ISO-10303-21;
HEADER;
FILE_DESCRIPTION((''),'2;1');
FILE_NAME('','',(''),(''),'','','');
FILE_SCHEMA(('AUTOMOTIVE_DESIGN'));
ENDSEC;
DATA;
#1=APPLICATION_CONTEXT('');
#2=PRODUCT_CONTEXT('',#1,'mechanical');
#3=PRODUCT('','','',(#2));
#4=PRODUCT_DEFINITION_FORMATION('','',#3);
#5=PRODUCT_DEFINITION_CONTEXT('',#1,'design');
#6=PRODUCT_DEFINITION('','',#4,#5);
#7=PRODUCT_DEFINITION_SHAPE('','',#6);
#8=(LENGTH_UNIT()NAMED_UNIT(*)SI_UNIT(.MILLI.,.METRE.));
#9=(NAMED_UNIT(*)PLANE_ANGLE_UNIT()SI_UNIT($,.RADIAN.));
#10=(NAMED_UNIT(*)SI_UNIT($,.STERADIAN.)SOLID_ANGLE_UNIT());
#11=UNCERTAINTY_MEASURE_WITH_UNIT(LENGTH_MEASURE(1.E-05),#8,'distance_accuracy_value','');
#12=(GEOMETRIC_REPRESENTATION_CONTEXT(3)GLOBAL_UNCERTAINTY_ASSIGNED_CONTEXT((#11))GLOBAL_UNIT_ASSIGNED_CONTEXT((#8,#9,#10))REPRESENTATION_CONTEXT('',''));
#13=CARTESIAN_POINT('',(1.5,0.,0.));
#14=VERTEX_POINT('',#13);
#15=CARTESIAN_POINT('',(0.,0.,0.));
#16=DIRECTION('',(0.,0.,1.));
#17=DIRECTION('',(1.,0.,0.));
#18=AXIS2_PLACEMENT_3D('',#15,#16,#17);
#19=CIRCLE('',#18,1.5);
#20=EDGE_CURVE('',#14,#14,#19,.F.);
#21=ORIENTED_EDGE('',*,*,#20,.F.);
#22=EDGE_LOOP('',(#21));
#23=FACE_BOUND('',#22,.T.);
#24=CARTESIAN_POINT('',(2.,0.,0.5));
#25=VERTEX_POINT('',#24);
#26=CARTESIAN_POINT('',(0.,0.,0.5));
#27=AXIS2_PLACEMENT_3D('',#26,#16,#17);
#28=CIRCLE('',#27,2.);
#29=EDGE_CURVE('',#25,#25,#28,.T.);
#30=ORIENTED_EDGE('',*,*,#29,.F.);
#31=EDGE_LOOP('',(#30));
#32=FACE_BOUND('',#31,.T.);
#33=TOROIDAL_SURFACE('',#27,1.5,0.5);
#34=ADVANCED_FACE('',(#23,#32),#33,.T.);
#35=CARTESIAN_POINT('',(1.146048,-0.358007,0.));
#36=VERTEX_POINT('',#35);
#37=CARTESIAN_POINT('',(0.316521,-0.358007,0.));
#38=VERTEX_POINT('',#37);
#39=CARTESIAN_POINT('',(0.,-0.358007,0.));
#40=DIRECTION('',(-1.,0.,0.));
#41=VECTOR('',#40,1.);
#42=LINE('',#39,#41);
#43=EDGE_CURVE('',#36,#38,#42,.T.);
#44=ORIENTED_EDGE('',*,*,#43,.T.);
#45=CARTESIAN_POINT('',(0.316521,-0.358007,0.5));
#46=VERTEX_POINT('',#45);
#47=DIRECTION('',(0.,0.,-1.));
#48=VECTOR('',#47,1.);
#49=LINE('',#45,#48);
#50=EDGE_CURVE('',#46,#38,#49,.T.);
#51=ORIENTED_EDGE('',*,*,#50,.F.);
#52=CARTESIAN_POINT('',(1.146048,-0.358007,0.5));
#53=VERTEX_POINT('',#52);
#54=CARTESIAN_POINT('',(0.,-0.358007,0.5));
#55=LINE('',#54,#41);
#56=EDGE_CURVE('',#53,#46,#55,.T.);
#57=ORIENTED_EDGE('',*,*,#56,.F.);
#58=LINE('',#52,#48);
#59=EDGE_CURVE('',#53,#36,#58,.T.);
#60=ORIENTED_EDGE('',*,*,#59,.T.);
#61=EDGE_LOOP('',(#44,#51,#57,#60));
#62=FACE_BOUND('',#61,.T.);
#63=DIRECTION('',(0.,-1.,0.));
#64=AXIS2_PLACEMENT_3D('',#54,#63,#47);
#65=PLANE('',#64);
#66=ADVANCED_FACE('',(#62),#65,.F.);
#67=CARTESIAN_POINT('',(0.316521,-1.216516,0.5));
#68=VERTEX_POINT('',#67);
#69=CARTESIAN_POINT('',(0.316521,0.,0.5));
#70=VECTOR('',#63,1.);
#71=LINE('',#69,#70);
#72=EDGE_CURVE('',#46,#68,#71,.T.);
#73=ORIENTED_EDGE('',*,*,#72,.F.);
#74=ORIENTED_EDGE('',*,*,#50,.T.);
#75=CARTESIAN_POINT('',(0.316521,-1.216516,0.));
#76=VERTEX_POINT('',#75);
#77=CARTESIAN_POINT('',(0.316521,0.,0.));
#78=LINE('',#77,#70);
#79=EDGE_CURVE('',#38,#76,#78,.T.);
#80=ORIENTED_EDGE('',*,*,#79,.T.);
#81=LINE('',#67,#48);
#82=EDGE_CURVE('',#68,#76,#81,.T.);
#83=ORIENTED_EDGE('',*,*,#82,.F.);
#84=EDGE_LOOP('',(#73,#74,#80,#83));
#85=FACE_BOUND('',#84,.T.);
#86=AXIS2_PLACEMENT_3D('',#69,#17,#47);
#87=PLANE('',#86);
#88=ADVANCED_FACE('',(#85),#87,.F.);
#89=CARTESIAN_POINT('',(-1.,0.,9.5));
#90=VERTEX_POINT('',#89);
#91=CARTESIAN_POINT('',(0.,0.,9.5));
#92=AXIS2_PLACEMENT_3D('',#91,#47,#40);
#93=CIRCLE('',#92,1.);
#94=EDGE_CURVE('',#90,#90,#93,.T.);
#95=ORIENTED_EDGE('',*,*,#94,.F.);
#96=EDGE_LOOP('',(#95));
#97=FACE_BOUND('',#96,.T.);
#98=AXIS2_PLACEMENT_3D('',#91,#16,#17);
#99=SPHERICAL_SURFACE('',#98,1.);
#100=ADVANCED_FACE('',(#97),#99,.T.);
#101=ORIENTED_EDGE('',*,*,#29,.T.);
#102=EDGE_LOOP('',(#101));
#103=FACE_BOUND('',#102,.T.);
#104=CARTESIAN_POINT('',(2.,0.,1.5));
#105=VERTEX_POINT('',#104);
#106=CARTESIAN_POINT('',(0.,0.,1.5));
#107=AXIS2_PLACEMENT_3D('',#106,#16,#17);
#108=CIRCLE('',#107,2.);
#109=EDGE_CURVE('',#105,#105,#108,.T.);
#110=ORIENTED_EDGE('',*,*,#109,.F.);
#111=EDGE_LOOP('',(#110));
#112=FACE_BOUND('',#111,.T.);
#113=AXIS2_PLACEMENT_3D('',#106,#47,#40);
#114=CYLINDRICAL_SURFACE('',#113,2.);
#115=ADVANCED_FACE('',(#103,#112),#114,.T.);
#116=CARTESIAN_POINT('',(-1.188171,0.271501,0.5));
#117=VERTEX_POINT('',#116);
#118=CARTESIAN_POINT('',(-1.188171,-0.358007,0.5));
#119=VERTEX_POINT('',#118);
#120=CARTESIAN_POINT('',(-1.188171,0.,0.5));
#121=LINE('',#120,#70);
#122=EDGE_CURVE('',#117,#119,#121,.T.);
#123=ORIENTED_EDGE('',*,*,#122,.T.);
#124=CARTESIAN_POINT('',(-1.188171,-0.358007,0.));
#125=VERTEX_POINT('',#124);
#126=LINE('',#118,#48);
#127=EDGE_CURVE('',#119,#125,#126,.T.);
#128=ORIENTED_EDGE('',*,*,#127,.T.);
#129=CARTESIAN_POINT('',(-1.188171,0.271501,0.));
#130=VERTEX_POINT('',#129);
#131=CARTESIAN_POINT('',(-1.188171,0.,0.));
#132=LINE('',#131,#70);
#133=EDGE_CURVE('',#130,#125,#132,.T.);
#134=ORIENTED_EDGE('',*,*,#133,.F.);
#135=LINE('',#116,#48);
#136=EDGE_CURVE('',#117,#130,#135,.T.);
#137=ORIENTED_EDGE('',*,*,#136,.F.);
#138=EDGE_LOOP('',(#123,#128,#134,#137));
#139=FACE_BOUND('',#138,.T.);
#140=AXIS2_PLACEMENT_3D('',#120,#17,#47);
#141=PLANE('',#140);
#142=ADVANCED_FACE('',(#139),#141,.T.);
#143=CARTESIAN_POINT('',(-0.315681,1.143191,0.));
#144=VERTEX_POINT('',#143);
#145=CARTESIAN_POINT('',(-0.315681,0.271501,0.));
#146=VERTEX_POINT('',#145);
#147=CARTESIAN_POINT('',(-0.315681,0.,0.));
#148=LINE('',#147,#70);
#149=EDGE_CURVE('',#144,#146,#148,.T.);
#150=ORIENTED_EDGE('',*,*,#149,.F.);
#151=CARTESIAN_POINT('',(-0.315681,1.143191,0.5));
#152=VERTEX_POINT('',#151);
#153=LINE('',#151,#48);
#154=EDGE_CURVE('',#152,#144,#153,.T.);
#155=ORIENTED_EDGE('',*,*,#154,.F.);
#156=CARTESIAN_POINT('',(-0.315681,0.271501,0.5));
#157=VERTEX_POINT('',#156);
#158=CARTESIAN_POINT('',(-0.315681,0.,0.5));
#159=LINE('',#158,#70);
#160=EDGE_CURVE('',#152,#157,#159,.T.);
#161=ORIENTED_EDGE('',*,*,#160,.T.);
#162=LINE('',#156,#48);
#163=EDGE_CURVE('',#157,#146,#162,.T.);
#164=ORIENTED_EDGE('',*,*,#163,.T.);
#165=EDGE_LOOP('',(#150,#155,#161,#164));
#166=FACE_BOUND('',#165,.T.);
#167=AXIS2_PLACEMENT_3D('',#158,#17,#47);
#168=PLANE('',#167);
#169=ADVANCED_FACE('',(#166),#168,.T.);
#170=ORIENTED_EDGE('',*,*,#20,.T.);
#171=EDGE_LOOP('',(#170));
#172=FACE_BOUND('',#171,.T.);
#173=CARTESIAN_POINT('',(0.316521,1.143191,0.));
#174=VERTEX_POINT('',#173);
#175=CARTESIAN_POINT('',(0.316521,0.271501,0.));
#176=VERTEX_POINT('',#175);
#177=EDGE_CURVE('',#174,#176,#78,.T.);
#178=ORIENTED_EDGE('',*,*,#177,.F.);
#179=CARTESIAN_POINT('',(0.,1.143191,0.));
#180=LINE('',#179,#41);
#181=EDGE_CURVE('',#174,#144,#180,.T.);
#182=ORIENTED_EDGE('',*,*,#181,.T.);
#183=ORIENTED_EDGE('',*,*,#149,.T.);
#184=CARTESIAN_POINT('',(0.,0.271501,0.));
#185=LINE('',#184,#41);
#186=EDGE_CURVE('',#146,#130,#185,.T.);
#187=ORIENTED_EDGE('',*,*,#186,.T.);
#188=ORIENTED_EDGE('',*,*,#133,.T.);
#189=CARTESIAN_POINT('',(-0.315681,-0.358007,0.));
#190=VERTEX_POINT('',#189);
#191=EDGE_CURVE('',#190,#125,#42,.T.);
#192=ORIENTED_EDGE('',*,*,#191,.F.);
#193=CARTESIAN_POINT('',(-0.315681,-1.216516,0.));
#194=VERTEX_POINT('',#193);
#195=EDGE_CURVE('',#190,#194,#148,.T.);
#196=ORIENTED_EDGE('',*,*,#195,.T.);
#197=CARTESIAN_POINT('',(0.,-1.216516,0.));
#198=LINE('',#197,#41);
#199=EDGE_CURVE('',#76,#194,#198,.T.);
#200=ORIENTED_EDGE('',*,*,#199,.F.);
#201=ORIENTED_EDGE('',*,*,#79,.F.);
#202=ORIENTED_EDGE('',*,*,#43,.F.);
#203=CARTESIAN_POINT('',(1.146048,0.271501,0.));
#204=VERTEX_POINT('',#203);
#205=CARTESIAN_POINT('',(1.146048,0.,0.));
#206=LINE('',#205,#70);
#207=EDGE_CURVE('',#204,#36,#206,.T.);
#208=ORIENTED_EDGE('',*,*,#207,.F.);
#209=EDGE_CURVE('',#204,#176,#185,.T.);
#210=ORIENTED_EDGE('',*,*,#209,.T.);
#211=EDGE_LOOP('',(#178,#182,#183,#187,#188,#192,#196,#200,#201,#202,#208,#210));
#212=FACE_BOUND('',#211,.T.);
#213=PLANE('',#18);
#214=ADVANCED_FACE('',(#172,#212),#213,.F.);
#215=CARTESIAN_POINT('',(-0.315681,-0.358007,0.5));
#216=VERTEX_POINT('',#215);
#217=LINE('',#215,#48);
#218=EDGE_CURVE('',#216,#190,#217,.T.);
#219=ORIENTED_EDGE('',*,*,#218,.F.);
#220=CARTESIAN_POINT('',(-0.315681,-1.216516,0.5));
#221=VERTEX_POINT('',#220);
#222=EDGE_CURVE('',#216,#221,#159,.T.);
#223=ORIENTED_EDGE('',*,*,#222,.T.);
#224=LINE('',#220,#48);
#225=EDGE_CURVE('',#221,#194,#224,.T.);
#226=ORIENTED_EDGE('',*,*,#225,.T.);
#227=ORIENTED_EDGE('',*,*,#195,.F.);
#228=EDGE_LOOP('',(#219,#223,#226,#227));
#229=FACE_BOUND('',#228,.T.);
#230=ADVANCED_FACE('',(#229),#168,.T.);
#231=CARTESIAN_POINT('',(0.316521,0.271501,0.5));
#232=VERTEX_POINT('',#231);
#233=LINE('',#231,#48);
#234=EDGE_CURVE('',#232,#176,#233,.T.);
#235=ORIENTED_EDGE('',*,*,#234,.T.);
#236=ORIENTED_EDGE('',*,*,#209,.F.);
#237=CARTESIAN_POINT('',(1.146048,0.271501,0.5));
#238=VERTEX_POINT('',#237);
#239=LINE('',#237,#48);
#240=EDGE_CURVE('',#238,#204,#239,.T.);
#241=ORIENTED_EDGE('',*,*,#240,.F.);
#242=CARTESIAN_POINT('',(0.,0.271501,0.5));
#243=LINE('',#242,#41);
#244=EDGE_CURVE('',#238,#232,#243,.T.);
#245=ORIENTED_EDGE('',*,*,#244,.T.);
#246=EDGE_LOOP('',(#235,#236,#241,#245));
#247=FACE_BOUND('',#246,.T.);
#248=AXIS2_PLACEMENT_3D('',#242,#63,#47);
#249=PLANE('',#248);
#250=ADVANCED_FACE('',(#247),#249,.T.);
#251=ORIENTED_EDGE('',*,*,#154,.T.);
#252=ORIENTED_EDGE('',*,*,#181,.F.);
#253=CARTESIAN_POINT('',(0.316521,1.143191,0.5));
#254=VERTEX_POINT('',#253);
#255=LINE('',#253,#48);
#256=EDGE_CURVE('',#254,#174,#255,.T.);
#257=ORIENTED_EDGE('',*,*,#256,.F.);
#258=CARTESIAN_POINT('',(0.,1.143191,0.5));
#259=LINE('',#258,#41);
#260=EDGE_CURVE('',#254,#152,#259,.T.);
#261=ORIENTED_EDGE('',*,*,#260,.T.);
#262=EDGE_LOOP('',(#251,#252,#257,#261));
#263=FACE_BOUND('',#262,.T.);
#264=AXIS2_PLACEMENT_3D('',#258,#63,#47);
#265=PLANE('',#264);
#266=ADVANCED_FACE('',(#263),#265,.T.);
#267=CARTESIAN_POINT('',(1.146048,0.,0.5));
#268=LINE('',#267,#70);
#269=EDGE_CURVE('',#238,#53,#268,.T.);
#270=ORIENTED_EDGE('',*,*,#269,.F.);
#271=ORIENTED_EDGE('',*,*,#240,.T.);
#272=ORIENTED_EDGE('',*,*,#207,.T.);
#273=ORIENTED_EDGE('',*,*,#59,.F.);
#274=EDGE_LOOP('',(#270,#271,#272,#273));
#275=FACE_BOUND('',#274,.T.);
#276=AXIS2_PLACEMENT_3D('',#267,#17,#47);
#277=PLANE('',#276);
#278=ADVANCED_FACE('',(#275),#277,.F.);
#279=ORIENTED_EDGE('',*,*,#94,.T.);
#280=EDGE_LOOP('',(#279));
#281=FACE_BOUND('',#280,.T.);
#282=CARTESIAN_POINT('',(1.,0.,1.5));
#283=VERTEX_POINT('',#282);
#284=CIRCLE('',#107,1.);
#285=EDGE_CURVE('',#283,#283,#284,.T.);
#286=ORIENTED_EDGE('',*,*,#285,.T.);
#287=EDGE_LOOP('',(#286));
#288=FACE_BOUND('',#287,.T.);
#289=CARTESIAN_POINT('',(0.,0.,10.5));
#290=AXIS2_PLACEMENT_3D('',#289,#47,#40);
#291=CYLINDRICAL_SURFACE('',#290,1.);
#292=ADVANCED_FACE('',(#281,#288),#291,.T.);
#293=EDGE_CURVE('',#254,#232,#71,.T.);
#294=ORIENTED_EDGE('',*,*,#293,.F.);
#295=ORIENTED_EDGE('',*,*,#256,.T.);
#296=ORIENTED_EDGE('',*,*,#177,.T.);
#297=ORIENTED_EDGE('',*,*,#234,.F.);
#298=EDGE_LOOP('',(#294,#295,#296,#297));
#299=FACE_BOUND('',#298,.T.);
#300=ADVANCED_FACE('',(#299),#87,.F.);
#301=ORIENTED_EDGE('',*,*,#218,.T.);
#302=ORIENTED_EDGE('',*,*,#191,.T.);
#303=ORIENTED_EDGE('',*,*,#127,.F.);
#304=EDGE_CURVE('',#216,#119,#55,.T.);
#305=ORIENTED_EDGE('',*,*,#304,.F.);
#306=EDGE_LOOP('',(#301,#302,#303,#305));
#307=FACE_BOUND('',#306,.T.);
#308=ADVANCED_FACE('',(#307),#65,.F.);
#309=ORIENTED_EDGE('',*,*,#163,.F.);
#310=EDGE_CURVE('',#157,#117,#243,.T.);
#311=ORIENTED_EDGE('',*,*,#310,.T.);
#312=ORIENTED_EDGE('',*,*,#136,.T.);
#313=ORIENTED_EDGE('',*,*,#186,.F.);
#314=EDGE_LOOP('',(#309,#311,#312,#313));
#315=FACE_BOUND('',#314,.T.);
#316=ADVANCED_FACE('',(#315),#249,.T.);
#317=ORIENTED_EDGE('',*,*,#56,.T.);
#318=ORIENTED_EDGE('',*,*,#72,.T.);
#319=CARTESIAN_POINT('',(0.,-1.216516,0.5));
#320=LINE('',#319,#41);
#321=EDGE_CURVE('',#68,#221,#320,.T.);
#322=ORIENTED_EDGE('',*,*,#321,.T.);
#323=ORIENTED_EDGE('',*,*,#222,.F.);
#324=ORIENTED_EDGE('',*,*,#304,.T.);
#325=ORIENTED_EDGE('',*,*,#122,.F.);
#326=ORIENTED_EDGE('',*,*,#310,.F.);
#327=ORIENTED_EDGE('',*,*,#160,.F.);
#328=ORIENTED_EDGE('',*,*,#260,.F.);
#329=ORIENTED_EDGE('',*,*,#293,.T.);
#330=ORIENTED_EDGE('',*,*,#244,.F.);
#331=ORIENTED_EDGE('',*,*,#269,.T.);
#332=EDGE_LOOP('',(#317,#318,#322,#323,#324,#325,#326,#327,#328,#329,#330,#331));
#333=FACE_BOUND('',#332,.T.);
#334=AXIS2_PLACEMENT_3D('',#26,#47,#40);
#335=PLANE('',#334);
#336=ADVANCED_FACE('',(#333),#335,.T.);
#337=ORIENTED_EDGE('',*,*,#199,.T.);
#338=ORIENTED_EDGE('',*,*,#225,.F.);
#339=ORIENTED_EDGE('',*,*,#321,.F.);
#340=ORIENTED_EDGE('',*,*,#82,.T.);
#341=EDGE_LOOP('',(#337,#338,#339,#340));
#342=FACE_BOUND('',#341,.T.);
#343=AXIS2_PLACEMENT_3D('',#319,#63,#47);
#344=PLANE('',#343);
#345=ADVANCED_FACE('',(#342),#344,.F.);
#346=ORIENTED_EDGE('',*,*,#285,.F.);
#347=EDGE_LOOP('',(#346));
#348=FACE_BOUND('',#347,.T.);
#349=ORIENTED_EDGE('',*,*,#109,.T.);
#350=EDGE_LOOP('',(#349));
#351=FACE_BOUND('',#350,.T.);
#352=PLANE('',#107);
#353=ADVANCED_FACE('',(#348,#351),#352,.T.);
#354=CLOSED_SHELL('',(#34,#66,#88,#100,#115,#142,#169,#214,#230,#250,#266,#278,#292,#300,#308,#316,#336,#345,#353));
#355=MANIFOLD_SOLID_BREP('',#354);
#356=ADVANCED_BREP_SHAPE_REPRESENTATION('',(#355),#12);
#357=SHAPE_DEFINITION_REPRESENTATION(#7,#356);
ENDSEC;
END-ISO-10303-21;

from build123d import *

# Parameters (mm, degrees)
SKIZZE1_R                       = 2
AUFSATZ_LINEAR_AUSTRAGEN1_DEPTH = 1.5
SKIZZE2_R                       = 1
AUFSATZ_LINEAR_AUSTRAGEN2_DEPTH = 9
VERRUNDUNG1_R                   = 1
VERRUNDUNG2_R                   = 0.5
SKIZZE3_W                       = 0.829527345
SKIZZE3_H                       = 0.629507901
SKIZZE3_W_2                     = 0.632202029
SKIZZE3_H_2                     = 0.871689933
SKIZZE3_W_3                     = 0.872489972
SKIZZE3_H_3                     = 0.858509012
SCHNITT_LINEAR_AUSTRAGEN1_DEPTH = 0.5


with BuildPart() as part:
    # Skizze1 → Aufsatz-Linear austragen1 (new body)
    with BuildSketch(Plane.XY):
        Circle(SKIZZE1_R)
    extrude(amount=AUFSATZ_LINEAR_AUSTRAGEN1_DEPTH)

    # Skizze2 → Aufsatz-Linear austragen2 (add)
    with BuildSketch(Plane.XY.offset(1.5)):
        Circle(SKIZZE2_R)
    extrude(amount=AUFSATZ_LINEAR_AUSTRAGEN2_DEPTH)

    # Verrundung1
    verrundung1_edges = [part.edges().sort_by_distance(p)[0] for p in [
        (-1, 0, 10.5),
    ]]
    fillet(verrundung1_edges, radius=VERRUNDUNG1_R)

    # Verrundung2
    verrundung2_edges = [part.edges().sort_by_distance(p)[0] for p in [
        (-2, 0, 0),
    ]]
    fillet(verrundung2_edges, radius=VERRUNDUNG2_R)

    # Skizze3 → Schnitt-Linear austragen1 (cut)
    with BuildSketch(Plane(origin=(0, 0, 0), x_dir=(-1, 0, 0), z_dir=(0, 0, -1))):
        with Locations((-0.731284278, -0.043253269)):
            Rectangle(SKIZZE3_W, SKIZZE3_H)
        with Locations((-0.00041959, 0.707345648)):
            Rectangle(SKIZZE3_W_2, SKIZZE3_H_2)
        with Locations((0.75192641, -0.043253269)):
            Rectangle(SKIZZE3_W_3, SKIZZE3_H)
        with Locations((-0.00041959, -0.787261726)):
            Rectangle(SKIZZE3_W_2, SKIZZE3_H_3)
        with Locations((-0.00041959, -0.043253269)):
            Rectangle(SKIZZE3_W_2, SKIZZE3_H)
    extrude(amount=-SCHNITT_LINEAR_AUSTRAGEN1_DEPTH, mode=Mode.SUBTRACT)


solid = part.part
